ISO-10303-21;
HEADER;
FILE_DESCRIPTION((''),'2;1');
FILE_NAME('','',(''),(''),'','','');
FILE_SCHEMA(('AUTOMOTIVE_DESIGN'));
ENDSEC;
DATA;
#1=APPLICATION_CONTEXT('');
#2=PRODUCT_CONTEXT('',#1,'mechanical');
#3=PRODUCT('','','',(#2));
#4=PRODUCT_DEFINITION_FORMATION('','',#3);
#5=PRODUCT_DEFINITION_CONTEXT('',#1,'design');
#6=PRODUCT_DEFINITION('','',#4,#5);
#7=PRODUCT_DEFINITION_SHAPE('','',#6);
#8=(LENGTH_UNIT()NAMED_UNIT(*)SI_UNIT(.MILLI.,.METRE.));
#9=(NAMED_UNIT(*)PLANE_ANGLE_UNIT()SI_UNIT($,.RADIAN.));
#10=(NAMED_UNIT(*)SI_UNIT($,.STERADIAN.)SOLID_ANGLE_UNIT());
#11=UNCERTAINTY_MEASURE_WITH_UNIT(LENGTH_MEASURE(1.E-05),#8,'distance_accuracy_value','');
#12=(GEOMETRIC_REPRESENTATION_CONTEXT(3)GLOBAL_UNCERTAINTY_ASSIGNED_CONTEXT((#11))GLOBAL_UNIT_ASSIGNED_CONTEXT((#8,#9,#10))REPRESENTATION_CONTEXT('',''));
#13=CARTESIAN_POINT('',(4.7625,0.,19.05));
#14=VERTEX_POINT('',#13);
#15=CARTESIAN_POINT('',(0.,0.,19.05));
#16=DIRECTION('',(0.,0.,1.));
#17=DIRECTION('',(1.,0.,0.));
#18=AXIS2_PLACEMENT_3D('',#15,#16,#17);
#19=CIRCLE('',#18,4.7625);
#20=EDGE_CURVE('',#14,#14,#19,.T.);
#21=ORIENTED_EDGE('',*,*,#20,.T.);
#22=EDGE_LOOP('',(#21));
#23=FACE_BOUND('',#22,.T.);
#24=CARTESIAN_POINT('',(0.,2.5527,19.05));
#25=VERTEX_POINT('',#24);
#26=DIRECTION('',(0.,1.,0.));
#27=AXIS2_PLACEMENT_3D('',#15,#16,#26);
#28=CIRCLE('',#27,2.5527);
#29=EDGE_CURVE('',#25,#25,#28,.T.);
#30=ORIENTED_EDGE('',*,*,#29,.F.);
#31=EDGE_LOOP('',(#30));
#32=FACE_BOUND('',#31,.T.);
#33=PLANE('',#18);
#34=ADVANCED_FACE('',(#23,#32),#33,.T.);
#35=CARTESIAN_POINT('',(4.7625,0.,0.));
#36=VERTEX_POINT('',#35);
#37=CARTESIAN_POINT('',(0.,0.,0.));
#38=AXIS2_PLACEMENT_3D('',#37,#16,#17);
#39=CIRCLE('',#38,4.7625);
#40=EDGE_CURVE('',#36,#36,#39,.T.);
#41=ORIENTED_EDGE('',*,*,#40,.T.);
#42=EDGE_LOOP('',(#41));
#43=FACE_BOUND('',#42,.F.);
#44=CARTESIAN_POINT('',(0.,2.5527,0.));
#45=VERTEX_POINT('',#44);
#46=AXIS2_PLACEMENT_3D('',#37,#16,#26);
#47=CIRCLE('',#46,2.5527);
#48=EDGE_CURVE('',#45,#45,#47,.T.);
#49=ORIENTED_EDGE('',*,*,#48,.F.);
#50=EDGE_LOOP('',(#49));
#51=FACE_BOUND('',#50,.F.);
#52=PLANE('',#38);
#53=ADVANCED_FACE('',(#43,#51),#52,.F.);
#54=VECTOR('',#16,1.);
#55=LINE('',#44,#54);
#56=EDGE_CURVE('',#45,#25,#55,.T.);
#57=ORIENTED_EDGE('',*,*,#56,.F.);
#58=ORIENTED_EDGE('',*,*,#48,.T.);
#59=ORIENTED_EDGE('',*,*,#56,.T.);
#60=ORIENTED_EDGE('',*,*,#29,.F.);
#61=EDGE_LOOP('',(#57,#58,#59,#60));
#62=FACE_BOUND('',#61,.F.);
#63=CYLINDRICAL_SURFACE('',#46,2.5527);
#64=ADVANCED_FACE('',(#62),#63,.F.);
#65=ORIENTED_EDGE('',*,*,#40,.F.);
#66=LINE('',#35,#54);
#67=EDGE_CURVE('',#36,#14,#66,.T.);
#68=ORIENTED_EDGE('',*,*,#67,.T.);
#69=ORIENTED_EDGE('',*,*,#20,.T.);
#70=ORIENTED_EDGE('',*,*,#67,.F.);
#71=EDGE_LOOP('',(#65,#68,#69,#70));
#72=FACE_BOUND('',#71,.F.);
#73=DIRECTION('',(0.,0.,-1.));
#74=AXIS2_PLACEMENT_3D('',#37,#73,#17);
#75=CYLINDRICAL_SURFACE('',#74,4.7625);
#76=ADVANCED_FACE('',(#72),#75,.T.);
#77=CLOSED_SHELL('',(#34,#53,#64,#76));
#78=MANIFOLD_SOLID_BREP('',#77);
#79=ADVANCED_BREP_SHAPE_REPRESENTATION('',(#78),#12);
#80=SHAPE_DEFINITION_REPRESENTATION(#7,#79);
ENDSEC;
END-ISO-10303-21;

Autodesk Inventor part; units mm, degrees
ref_plane "YZ Plane" through (0, 0, 0) normal (1, 0, 0) x (0, 1, 0)
ref_plane "XZ Plane" through (0, 0, 0) normal (0, 1, 0) x (-1, 0, 0)
ref_plane "XY Plane" through (0, 0, 0) normal (0, 0, 1) x (1, 0, 0)
sketch "Sketch1" plane through (0, 0, 0) normal (0, 0, 1) x (1, 0, 0)
  circle A0 centre (0, 0) radius 4.7625
  dimension "d10" = 9.525
extrude "Extrusion1" add sketch "Sketch1" along normal blind 19.05
hole "Hole1" at (0, 0, 0) direction (0, 0, 1) diameter 5.1054 end through all clearance for "Flat Head Machine Screw (82)" size "#10" standard "Ansi Unified Screw Threads"
equation "\"d10\" = OutsideDiameter"
equation "\"d1\" = StandoffLength"
equation "\"d3\" = HoleDiameter"
equation "\"StandoffLength\" = 19.05"
equation "\"HoleDiameter\" = 5.1054"
equation "\"OutsideDiameter\" = 9.525"
properties part number "CL5-004" material "Aluminum 6061"
